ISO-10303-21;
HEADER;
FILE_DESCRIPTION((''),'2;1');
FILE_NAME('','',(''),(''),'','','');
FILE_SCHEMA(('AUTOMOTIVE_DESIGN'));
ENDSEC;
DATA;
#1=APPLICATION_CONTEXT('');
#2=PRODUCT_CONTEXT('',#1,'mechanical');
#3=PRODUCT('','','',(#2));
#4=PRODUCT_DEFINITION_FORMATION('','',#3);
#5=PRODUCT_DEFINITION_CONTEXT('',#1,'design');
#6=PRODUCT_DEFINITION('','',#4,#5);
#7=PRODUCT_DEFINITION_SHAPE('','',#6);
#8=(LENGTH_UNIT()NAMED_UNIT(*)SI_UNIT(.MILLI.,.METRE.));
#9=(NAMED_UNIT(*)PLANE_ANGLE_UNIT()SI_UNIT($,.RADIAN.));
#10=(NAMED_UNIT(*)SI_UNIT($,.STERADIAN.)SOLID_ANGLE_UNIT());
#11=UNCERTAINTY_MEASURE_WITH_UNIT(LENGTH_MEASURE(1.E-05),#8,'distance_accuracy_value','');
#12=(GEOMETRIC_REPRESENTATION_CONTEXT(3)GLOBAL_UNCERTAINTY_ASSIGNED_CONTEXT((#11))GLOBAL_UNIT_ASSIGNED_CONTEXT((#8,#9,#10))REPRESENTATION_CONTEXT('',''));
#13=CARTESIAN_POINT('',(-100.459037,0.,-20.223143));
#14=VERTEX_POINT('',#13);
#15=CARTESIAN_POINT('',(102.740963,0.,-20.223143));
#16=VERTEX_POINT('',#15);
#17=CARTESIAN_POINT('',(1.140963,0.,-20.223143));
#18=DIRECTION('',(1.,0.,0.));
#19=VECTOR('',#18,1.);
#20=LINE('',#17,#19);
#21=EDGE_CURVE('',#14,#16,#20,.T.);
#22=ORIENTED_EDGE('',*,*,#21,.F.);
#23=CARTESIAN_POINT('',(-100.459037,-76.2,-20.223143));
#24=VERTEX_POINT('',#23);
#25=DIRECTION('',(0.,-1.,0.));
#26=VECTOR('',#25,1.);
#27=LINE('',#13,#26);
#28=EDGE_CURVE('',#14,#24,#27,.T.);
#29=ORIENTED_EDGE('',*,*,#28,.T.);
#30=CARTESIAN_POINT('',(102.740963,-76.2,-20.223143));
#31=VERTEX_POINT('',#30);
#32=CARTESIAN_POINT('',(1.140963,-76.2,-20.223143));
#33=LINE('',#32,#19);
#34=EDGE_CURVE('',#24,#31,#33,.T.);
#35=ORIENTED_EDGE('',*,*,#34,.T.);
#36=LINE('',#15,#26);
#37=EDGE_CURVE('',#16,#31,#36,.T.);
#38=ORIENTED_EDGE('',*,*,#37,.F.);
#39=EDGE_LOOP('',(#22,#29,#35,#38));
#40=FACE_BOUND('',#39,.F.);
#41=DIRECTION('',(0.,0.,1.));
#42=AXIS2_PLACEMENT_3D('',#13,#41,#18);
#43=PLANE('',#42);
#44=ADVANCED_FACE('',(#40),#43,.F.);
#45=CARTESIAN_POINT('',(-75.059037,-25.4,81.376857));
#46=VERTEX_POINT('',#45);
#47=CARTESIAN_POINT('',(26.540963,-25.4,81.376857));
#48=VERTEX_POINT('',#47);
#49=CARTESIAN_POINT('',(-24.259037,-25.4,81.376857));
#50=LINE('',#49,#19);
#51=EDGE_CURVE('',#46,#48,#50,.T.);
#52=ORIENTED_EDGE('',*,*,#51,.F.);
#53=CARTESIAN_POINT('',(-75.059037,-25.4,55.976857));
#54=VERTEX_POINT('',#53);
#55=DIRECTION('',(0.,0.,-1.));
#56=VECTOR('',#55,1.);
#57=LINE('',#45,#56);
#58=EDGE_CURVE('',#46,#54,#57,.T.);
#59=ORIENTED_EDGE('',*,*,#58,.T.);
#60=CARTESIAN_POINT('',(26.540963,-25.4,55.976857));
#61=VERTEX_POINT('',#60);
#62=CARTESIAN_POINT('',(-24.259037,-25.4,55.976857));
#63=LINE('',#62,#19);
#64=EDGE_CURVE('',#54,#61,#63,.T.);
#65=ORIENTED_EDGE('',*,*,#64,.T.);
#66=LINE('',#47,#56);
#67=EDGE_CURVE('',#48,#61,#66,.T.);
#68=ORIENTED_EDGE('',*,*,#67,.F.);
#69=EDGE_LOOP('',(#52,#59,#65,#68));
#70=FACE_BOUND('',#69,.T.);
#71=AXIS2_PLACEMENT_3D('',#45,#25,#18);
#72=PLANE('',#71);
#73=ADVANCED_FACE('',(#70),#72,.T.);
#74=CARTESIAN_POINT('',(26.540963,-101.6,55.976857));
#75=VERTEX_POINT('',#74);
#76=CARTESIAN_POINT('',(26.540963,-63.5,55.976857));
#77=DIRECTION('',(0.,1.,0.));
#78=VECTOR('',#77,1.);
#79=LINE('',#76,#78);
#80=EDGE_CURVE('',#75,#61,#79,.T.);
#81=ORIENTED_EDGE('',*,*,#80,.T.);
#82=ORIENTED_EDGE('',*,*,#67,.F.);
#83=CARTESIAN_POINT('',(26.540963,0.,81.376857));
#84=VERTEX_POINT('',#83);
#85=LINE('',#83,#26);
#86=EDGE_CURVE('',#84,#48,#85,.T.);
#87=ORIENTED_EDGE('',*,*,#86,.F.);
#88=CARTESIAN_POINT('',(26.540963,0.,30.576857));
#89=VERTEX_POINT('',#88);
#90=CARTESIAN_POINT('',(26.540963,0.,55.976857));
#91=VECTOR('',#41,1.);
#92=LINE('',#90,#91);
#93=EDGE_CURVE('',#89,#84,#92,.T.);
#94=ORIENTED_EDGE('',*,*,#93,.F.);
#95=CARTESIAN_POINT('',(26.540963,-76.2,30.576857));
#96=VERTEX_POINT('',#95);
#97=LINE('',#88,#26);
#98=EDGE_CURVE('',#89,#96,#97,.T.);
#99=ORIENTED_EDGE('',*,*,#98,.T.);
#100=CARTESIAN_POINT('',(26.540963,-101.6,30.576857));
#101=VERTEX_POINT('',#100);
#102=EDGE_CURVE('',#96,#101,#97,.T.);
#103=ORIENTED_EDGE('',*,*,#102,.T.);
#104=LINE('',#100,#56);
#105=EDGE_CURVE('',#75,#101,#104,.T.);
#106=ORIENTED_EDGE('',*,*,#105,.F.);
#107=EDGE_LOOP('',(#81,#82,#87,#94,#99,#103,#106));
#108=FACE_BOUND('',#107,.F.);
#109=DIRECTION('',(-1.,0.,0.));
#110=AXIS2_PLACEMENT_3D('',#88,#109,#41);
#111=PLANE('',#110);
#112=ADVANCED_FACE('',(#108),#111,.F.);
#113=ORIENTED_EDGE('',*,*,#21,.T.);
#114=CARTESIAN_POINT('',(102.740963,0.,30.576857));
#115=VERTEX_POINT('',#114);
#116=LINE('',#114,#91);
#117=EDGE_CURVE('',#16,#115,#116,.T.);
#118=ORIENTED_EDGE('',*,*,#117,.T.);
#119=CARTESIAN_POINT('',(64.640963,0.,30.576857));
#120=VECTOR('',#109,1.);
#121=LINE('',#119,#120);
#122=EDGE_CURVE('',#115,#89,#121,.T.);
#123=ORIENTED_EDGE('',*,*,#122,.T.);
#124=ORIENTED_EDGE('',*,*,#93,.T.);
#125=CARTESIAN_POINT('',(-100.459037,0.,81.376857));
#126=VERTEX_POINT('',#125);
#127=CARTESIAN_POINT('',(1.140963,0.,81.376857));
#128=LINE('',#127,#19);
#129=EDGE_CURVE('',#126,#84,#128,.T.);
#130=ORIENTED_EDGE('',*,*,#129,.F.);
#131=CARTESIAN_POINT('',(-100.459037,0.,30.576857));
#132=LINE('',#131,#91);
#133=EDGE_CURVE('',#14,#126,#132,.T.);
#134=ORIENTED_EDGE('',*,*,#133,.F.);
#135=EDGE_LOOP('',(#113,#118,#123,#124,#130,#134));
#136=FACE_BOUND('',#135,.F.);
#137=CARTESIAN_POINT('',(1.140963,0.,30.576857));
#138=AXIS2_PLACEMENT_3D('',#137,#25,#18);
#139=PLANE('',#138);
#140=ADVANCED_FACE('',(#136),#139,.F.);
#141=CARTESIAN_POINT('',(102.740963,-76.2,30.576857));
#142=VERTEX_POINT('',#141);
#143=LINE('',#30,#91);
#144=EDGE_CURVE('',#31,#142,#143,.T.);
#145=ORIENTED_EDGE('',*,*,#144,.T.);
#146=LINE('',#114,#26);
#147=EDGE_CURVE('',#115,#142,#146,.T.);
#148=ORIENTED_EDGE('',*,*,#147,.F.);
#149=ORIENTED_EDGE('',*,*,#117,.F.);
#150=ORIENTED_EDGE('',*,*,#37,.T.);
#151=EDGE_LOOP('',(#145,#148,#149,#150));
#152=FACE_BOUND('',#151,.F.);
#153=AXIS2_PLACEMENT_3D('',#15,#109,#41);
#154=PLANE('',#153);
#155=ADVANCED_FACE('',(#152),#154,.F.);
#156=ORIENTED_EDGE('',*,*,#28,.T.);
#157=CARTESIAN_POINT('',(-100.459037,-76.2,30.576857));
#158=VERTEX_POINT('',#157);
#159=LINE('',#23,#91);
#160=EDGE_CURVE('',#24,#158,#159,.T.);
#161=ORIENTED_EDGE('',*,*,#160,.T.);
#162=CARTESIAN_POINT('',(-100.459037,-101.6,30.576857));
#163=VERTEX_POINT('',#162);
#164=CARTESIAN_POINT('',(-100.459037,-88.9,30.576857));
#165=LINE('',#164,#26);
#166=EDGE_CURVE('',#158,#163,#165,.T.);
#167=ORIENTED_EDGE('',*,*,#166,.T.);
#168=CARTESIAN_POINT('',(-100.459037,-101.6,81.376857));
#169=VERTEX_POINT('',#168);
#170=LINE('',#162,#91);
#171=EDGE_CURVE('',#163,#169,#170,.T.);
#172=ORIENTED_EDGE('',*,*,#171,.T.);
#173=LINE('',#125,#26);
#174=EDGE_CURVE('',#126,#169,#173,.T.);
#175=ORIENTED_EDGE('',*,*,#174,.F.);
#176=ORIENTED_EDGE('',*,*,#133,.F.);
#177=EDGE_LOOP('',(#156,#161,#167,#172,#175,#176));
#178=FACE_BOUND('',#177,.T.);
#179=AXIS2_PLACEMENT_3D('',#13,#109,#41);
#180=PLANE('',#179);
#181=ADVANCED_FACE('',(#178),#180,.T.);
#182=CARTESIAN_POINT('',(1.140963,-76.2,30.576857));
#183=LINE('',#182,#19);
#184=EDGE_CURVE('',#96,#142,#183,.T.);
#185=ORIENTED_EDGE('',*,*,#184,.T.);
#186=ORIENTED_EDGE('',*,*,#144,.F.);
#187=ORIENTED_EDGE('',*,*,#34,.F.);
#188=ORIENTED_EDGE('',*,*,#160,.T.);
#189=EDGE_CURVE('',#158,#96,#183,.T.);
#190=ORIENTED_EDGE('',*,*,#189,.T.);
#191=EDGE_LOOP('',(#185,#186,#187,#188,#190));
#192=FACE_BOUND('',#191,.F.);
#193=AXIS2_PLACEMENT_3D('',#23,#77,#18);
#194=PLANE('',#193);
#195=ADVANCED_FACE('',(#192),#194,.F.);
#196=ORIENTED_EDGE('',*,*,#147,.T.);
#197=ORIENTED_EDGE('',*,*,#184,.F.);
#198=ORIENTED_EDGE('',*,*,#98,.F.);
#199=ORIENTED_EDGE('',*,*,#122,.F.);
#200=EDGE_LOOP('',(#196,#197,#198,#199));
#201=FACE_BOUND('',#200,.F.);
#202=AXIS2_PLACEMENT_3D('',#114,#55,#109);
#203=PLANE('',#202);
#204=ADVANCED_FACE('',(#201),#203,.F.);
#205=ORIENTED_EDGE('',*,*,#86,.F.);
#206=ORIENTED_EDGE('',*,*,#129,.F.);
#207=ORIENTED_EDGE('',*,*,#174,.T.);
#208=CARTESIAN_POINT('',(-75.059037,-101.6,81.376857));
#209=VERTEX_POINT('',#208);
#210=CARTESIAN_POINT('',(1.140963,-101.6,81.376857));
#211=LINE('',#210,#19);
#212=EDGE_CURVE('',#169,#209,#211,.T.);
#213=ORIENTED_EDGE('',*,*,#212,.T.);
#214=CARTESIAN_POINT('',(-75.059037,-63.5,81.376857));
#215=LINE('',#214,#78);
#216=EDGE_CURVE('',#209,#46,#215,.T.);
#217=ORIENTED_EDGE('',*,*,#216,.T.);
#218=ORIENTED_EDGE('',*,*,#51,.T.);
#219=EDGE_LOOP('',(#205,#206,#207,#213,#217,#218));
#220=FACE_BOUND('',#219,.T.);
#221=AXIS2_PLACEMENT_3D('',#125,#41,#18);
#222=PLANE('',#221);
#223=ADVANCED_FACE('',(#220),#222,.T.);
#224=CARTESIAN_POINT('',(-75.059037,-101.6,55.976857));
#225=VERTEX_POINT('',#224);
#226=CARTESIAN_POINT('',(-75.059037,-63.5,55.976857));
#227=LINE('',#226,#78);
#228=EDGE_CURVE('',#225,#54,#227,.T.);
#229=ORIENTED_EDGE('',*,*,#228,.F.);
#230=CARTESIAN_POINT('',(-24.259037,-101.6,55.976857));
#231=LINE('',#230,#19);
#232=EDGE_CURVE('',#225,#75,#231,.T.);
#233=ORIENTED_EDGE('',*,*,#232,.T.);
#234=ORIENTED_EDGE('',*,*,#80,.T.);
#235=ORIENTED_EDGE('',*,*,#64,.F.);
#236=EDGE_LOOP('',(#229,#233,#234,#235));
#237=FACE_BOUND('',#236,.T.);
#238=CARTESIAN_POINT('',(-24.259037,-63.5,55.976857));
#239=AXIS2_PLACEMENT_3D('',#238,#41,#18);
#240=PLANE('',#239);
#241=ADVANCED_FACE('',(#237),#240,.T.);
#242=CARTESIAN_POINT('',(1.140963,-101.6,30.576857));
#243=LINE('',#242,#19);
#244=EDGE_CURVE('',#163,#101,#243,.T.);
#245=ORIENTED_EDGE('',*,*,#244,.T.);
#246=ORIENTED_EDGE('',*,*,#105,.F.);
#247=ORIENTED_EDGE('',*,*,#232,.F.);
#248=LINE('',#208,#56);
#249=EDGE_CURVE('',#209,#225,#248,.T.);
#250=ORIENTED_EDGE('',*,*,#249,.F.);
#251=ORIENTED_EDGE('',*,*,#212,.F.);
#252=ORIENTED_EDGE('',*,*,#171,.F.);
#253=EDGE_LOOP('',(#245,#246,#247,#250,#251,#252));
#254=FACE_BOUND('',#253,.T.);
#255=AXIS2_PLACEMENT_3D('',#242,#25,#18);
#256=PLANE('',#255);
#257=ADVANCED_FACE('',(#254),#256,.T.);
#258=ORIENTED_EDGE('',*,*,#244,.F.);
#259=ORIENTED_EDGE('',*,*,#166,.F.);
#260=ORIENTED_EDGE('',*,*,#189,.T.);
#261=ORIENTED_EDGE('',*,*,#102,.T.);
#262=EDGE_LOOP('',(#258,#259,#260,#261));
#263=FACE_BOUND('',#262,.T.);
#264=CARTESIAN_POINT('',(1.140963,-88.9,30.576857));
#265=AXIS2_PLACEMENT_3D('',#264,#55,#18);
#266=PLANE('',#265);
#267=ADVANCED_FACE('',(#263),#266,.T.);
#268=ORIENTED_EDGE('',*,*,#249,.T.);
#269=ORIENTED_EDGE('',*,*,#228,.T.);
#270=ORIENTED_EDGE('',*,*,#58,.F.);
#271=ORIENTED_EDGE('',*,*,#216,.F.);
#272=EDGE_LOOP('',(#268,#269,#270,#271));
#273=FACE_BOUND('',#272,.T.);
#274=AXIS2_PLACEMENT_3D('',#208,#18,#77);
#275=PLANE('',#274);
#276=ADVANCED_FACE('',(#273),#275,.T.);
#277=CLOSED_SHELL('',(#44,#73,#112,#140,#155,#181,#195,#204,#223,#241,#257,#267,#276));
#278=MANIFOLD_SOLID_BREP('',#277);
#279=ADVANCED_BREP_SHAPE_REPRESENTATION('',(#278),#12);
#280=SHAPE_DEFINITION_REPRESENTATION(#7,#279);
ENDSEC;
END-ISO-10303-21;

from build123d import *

# Parameters (mm, degrees)
F0_W     = 203.2
F0_H     = 101.6
F1_DEPTH = 101.6
F2_W     = 203.2
F2_H     = 25.4
F3_DEPTH = 50.8
F4_W     = 76.2
F4_H     = 50.8
F5_DEPTH = 101.601
F6_W     = 101.6
F6_H     = 76.2
F7_DEPTH = 25.4


with BuildPart() as f1:
    # F0 (on Front) → F1 (new body)
    with BuildSketch(Plane.XZ):
        with Locations((1.140963, 30.576857)):
            Rectangle(F0_W, F0_H)
    extrude(amount=F1_DEPTH)

    # F2 (on face) → F3 (cut)
    with BuildSketch(Plane(origin=(0, 0, -20.223143), x_dir=(1, 0, 0), z_dir=(0, 0, -1))):
        with Locations((1.140963, 88.9)):
            Rectangle(F2_W, F2_H)
    extrude(amount=-F3_DEPTH, mode=Mode.SUBTRACT)

    # F4 (on face) → F5 (cut, through all)
    with BuildSketch(Plane(origin=(0, 0, 0), x_dir=(-1, 0, 0), z_dir=(0, 1, 0))):
        with Locations((-64.640963, 55.976857)):
            Rectangle(F4_W, F4_H)
    extrude(amount=-F5_DEPTH, mode=Mode.SUBTRACT)

    # F6 (on face) → F7 (cut)
    with BuildSketch(Plane.XY.offset(81.376857)):
        with Locations((-24.259037, -63.5)):
            Rectangle(F6_W, F6_H)
    extrude(amount=-F7_DEPTH, mode=Mode.SUBTRACT)


solid = f1.part
